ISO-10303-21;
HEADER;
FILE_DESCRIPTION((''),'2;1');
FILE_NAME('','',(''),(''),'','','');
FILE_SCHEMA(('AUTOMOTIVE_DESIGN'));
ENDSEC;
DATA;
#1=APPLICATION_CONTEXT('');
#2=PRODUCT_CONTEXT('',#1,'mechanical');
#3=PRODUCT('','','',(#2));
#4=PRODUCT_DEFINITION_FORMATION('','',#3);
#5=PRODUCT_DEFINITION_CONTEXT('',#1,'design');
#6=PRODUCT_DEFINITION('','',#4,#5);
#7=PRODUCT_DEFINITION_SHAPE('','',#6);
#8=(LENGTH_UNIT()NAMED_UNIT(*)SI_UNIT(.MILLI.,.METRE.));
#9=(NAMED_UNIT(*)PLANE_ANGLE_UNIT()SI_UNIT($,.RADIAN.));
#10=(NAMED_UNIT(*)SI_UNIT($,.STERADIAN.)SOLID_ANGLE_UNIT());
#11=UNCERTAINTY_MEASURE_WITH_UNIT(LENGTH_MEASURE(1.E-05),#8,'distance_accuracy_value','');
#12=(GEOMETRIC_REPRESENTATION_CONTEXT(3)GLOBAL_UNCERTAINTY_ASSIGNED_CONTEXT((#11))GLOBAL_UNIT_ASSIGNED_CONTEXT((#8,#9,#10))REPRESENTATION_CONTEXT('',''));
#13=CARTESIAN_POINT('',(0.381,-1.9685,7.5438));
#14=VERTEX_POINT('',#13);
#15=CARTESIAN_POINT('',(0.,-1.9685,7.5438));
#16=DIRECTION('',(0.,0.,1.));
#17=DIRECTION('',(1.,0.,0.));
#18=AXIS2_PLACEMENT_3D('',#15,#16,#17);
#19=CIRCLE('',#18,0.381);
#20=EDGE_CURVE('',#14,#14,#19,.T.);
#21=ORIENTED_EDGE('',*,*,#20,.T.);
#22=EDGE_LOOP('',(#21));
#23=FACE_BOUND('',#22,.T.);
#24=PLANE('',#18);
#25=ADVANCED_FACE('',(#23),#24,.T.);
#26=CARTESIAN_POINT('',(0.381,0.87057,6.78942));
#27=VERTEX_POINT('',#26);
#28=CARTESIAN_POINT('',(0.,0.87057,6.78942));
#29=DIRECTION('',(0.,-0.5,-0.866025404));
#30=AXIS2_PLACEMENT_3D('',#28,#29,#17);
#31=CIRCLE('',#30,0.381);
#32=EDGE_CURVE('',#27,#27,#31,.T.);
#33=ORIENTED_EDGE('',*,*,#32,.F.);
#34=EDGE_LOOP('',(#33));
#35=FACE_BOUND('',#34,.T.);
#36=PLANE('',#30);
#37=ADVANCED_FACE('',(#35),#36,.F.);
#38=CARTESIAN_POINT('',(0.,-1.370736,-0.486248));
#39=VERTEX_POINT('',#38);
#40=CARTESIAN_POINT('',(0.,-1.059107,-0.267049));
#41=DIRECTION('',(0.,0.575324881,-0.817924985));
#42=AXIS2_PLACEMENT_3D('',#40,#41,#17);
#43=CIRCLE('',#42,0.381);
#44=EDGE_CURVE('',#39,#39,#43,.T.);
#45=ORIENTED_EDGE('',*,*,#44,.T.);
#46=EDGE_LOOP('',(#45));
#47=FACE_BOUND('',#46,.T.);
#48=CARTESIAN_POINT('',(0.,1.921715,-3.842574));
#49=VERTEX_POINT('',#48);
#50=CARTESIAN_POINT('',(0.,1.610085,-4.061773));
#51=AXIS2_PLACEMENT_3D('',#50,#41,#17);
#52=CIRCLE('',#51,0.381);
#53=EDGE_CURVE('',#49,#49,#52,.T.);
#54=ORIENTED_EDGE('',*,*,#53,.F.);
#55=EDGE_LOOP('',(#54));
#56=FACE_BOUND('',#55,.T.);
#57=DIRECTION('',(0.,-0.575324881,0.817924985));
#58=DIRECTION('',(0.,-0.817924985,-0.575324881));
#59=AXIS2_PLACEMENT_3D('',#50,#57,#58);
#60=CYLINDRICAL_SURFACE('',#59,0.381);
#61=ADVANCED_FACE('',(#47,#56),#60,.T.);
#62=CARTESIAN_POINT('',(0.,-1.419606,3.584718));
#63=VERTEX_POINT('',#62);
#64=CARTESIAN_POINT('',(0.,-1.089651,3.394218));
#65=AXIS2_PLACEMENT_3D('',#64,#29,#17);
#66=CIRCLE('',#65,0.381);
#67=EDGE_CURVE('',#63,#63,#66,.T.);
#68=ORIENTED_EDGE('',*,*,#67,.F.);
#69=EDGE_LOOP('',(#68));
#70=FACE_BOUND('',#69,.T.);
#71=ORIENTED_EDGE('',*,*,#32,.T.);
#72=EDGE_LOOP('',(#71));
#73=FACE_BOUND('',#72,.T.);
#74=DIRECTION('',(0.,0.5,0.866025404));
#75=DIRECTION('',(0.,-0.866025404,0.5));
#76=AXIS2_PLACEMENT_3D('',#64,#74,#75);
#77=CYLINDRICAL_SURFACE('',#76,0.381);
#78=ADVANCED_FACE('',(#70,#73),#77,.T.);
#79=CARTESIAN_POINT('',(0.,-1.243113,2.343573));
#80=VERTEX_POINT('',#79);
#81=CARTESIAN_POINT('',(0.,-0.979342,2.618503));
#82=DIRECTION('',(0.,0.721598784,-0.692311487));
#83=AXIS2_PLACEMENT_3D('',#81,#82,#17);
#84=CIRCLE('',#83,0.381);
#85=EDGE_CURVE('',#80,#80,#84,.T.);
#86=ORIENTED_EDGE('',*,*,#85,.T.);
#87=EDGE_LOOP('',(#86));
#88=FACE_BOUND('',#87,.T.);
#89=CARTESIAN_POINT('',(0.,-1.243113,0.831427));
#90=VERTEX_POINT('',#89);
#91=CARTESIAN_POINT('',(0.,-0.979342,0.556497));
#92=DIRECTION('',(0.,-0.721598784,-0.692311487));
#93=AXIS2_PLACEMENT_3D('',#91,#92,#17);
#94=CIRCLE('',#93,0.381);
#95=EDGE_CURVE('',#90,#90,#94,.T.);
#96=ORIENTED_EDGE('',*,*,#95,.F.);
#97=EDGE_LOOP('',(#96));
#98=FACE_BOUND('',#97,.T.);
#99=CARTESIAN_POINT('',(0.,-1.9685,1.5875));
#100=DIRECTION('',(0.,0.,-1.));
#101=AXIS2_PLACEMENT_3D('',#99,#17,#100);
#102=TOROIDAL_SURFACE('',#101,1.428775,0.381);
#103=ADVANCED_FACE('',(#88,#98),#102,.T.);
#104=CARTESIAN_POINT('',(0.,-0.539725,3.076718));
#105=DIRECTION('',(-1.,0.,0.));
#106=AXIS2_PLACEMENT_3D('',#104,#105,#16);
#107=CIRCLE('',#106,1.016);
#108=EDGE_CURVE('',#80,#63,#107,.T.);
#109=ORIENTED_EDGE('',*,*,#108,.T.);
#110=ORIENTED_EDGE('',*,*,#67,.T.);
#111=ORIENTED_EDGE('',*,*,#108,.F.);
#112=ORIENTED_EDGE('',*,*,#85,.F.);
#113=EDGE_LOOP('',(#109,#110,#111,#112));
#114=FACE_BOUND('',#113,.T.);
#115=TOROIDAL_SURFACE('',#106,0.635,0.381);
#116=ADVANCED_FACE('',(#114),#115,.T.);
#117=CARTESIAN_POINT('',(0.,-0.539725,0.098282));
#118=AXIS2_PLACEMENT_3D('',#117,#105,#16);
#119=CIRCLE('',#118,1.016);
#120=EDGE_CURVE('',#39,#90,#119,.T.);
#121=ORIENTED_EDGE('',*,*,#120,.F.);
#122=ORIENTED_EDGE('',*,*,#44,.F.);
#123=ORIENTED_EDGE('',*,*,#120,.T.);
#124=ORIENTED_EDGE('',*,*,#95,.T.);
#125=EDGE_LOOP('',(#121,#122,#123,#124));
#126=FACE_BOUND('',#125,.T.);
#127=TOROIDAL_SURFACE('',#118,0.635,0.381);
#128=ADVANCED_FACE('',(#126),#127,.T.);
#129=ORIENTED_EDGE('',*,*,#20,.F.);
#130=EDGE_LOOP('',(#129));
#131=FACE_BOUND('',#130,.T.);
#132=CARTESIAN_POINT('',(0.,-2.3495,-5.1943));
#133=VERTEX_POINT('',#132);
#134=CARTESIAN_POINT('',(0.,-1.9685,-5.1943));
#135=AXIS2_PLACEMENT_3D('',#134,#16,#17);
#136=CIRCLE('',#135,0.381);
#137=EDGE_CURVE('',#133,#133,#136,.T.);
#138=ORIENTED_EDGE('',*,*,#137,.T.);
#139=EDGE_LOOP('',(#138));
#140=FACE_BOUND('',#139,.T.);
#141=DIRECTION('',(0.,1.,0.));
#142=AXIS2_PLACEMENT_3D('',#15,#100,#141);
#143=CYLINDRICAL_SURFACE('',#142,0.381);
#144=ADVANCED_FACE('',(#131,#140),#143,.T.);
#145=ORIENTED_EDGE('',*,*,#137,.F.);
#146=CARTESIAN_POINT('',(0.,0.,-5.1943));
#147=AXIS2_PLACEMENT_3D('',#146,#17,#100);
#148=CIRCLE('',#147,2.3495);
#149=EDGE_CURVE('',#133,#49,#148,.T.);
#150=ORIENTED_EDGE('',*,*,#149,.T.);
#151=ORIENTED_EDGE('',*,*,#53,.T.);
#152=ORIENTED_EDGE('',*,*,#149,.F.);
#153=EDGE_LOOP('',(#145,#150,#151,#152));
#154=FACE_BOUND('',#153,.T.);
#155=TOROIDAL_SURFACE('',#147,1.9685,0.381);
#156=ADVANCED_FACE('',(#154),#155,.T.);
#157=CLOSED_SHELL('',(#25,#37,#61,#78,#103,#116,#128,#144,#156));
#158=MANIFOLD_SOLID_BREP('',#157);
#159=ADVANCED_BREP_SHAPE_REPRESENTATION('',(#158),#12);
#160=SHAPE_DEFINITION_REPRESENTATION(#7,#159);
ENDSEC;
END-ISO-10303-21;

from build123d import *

# Parameters (mm, degrees)
SKETCH3_R = 0.381


with BuildPart() as part:
    # Sweep1: sweep along a path in Sketch4
    with BuildLine(Plane(origin=(0, 0, 0), x_dir=(0, 0, -1), z_dir=(1, 0, 0))) as sweep1_path:
        Line((-6.78942, 0.870570192), (-3.394217856, -1.089650679))
        ThreePointArc((-3.394217856, -1.089650679), (-2.987318885, -1.1684), (-2.618502629, -0.979342342))
        ThreePointArc((-2.618502629, -0.979342342), (-1.5875, -0.539724548), (-0.556497371, -0.979342342))
        ThreePointArc((-0.556497371, -0.979342342), (-0.159498585, -1.17176691), (0.267049156, -1.059106914))
        Line((0.267049156, -1.059106914), (4.061772971, 1.610085333))
        ThreePointArc((4.061772971, 1.610085333), (7.071058539, 0.593944135), (5.1943, -1.9685))
        Line((5.1943, -1.9685), (-7.5438, -1.9685))
    # Sketch3 → Sweep1 (sweep)
    with BuildSketch(Plane.XY.offset(7.5438)):
        with Locations((0, -1.9685)):
            Circle(SKETCH3_R)
    sweep(path=sweep1_path.line)


solid = part.part
